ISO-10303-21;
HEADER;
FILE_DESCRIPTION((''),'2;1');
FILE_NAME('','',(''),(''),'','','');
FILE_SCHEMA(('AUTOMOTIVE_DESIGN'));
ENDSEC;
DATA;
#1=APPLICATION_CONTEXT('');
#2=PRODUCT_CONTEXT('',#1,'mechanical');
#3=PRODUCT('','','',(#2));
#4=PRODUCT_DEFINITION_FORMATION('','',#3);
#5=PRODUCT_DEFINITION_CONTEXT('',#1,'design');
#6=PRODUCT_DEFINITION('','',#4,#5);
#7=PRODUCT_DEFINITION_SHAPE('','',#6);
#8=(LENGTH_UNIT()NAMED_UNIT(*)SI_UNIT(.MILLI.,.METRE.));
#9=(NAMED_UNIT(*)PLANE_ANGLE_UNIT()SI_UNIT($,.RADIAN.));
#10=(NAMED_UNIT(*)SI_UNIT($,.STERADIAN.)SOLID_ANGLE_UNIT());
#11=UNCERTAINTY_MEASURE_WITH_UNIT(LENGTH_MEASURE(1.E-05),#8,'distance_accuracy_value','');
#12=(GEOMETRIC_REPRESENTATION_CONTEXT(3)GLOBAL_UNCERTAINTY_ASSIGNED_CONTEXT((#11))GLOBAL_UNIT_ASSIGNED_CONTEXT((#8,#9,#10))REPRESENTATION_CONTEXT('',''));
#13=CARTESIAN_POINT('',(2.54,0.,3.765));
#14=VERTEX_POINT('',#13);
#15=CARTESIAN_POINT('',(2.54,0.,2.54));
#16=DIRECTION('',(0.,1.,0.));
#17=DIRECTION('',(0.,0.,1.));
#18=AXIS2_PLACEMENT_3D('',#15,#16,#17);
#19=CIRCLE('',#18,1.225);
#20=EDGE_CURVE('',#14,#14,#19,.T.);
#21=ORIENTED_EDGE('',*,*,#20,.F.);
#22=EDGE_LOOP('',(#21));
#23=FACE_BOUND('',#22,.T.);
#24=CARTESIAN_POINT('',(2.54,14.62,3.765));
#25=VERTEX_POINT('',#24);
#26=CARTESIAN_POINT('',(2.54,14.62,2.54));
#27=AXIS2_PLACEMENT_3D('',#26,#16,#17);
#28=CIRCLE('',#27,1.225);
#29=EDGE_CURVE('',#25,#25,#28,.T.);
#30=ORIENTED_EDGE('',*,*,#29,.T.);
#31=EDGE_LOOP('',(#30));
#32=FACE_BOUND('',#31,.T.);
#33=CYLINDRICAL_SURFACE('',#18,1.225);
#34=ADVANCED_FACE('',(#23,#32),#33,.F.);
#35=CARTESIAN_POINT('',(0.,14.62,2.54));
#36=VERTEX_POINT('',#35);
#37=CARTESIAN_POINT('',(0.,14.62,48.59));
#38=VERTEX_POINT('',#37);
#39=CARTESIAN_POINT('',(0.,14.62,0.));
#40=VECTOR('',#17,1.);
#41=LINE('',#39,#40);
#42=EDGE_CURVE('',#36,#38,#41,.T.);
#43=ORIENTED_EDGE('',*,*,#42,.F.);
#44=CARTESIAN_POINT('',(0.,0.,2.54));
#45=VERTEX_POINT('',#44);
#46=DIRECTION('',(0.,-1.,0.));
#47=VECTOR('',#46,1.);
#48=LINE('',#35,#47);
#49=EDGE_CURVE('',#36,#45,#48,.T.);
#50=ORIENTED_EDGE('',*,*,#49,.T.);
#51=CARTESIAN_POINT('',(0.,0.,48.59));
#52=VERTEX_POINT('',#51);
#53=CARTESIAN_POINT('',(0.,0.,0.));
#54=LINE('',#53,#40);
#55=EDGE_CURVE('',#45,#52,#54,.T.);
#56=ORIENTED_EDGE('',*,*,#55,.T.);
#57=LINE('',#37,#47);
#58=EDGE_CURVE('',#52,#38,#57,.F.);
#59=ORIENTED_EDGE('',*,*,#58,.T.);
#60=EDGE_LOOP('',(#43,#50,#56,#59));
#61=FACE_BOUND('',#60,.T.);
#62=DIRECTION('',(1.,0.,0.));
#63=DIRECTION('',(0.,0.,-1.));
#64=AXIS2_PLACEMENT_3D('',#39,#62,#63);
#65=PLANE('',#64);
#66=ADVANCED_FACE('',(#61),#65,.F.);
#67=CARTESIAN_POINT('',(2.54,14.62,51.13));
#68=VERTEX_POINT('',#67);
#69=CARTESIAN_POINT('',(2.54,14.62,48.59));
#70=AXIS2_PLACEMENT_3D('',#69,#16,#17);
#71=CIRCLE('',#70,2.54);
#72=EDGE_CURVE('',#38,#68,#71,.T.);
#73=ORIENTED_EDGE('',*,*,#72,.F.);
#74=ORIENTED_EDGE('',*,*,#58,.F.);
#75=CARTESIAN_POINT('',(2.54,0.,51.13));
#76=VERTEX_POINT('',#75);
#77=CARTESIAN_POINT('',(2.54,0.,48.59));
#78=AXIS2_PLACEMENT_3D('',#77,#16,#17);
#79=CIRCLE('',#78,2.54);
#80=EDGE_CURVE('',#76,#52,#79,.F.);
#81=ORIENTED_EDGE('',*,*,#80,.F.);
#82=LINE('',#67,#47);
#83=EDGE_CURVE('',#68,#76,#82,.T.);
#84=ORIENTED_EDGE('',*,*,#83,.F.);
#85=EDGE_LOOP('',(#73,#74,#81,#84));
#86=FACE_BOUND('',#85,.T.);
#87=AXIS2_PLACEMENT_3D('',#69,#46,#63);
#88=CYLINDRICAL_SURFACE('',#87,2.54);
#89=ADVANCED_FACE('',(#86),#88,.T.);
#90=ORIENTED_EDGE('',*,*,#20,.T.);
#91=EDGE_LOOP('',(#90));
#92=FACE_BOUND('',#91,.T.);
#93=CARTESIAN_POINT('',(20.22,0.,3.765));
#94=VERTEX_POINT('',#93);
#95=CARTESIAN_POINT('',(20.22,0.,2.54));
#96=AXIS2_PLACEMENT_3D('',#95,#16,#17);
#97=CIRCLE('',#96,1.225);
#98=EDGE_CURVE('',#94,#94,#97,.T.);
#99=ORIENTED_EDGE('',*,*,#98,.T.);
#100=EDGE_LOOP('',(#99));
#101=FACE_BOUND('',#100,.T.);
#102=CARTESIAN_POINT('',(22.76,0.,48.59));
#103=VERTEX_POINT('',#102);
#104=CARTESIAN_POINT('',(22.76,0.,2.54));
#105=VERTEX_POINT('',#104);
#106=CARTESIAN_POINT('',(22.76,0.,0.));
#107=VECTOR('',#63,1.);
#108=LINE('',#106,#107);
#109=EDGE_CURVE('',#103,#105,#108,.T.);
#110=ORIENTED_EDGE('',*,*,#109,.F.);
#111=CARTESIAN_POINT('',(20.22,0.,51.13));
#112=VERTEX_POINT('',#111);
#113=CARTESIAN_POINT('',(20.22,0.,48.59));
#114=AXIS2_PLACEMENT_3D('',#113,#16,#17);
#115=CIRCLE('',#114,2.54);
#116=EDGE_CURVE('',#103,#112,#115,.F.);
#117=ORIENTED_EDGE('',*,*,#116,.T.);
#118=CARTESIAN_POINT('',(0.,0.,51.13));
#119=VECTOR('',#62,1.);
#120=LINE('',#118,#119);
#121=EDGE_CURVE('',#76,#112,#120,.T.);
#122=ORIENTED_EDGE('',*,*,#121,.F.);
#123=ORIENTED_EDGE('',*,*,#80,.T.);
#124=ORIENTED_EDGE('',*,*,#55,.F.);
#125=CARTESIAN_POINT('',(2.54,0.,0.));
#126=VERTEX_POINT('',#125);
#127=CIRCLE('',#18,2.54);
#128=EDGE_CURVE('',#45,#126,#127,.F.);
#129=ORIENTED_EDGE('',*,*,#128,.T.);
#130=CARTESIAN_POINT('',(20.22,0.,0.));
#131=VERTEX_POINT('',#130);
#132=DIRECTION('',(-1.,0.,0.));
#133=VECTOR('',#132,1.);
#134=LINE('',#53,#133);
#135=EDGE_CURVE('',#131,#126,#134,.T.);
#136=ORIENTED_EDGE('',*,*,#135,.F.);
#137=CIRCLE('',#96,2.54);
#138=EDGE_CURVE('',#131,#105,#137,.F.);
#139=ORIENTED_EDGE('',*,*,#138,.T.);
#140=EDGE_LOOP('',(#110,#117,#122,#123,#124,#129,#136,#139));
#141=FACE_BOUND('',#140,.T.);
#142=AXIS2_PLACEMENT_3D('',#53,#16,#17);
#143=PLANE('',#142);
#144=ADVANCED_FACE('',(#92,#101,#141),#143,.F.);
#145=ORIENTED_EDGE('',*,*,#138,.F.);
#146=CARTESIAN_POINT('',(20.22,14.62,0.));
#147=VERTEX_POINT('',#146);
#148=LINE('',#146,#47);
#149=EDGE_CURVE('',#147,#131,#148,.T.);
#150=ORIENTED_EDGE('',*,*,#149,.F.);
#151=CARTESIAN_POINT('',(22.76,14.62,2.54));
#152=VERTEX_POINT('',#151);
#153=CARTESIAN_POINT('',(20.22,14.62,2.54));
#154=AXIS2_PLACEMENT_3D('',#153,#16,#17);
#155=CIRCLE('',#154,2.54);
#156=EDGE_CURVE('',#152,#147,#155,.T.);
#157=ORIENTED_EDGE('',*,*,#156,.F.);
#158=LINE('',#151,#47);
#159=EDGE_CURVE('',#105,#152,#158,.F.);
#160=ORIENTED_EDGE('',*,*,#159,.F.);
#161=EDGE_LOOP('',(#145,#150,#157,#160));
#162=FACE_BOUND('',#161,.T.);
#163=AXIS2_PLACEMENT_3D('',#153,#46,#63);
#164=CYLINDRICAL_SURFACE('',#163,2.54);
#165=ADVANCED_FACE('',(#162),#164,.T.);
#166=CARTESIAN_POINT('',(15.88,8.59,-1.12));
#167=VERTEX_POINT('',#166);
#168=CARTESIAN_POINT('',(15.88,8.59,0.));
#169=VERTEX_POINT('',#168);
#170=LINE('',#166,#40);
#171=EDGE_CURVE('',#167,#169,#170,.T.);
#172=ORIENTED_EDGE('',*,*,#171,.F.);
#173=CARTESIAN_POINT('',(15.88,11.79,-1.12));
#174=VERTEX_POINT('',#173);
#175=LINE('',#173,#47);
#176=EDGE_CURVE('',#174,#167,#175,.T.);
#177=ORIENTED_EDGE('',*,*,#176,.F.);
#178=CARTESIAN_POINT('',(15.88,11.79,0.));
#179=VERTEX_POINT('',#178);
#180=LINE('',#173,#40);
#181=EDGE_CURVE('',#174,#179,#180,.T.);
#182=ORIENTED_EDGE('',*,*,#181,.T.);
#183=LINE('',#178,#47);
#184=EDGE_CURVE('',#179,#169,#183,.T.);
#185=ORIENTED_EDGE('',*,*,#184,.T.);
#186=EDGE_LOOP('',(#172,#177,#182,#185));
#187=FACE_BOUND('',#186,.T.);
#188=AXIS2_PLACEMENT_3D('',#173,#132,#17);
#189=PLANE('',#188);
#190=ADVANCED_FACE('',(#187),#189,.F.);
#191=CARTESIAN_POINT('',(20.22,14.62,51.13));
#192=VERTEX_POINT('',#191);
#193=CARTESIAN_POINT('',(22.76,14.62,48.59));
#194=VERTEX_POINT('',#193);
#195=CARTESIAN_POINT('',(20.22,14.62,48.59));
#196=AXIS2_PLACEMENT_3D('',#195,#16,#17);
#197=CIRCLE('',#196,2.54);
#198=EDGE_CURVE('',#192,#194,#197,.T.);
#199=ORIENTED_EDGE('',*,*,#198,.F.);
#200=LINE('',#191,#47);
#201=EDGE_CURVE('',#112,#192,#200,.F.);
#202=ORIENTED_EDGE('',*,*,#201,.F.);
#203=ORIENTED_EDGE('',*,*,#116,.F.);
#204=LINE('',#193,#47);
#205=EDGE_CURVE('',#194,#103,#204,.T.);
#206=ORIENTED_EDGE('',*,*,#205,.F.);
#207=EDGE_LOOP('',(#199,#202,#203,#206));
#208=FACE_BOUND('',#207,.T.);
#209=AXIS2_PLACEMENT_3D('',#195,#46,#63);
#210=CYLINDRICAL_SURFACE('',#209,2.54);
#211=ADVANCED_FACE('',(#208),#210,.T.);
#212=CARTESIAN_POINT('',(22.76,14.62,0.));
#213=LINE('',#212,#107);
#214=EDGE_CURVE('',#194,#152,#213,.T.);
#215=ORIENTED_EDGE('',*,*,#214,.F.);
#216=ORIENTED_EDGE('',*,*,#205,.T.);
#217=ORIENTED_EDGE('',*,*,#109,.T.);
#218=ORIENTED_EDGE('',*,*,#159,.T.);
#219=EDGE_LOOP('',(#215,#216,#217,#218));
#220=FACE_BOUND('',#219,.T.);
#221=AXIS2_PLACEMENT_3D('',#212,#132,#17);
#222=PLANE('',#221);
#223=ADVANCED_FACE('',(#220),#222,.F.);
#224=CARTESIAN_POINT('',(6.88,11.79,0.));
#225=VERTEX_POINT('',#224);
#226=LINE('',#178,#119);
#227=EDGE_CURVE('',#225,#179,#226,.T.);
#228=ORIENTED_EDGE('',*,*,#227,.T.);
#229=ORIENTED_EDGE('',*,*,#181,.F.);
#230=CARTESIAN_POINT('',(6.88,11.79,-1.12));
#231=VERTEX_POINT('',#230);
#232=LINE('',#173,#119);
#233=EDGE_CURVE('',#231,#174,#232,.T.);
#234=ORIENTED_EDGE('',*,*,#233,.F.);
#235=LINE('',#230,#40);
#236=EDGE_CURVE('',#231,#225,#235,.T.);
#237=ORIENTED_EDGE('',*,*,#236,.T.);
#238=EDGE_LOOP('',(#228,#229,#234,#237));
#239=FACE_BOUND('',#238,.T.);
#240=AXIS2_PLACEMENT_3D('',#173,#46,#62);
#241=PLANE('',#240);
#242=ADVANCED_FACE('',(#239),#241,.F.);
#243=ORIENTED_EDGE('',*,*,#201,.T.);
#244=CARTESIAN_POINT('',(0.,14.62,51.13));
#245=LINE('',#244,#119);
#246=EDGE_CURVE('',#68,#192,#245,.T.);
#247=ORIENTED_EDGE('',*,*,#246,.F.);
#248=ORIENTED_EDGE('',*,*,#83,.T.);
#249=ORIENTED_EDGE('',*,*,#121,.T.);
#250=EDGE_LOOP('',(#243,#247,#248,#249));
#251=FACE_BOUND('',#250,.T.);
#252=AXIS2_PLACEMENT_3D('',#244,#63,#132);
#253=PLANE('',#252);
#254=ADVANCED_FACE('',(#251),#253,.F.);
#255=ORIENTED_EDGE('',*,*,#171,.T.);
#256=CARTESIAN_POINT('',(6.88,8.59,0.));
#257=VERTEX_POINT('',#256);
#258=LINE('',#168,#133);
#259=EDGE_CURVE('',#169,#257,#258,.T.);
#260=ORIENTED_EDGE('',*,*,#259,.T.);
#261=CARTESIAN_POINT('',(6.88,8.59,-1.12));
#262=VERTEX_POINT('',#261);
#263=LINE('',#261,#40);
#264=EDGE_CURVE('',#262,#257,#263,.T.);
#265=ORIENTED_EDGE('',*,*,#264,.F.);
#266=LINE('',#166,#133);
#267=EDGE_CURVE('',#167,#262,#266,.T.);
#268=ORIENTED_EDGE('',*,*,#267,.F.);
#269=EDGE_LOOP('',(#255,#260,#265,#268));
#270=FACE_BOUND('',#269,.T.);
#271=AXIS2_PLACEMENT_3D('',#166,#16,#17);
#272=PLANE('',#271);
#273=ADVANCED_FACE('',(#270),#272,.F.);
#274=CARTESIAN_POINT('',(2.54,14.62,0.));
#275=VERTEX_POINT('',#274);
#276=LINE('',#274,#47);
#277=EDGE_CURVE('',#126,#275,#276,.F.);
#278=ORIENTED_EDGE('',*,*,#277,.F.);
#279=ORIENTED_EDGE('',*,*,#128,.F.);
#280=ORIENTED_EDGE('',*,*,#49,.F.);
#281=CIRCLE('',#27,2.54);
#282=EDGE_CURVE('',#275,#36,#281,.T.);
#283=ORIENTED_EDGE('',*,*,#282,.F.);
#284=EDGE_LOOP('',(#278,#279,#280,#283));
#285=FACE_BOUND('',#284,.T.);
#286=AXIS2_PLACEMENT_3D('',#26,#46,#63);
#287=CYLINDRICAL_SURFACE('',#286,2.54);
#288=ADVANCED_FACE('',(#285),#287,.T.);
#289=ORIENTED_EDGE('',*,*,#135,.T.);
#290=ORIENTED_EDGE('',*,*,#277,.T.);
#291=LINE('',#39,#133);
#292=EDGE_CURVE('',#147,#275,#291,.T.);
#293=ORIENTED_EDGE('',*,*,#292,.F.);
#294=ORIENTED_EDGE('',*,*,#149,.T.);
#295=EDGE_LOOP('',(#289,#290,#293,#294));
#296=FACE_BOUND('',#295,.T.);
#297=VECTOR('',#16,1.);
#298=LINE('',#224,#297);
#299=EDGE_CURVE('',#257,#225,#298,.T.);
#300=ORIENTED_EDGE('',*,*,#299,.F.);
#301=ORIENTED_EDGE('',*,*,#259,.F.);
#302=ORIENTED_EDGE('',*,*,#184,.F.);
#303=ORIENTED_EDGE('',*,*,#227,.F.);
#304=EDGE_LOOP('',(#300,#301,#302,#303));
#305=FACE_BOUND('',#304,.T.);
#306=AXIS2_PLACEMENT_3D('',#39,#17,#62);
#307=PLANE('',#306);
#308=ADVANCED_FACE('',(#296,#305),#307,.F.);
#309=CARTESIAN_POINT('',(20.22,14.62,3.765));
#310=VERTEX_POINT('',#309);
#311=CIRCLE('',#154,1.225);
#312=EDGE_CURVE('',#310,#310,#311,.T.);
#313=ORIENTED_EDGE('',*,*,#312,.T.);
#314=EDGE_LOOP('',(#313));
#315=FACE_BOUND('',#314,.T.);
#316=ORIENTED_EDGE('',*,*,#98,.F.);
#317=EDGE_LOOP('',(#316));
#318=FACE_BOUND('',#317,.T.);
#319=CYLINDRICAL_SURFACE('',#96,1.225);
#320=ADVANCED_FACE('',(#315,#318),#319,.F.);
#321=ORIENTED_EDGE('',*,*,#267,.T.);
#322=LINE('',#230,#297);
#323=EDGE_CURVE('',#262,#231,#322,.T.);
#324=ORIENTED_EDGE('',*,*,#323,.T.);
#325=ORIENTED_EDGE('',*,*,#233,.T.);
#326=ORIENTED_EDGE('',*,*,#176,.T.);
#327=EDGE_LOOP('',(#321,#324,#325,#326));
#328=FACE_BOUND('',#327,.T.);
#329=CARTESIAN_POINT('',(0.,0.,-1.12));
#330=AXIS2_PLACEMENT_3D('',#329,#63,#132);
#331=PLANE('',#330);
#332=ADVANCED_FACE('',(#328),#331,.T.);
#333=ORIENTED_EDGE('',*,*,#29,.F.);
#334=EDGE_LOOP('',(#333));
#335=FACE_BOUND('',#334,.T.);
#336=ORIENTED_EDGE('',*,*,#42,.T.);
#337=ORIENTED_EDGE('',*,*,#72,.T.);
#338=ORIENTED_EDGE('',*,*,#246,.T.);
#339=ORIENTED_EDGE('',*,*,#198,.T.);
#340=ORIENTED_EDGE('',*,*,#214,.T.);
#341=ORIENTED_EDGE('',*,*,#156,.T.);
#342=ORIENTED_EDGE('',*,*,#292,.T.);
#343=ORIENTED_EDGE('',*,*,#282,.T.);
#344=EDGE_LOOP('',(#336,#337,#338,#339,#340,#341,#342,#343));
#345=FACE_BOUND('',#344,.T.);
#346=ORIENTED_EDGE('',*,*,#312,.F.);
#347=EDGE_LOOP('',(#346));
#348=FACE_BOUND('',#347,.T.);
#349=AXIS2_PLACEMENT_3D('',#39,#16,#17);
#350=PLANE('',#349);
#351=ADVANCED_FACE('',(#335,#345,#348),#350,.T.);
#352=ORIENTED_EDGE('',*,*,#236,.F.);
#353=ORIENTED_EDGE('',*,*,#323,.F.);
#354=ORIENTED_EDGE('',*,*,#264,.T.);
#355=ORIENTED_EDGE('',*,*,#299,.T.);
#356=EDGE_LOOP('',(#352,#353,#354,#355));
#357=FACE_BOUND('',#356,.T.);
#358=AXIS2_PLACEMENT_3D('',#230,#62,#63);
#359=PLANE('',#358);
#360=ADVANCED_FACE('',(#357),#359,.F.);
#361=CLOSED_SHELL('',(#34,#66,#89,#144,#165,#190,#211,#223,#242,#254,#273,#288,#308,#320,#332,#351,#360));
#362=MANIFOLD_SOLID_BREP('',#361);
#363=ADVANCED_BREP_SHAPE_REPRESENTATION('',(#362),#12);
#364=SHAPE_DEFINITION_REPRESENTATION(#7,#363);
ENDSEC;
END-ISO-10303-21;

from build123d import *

# Parameters (mm, degrees)
SKETCH1_W               = 22.76
SKETCH1_H               = 51.13
BOSS_EXTRUDE1_DEPTH     = 14.62
CUT_EXTRUDE1_DEPTH      = 58.844955701
CUT_EXTRUDE1_DEPTH_BACK = 58.844955701
SKETCH2_R               = 1.225
FILLET1_R               = 2.54
SKETCH4_W               = 9
SKETCH4_H               = 3.2
BOSS_EXTRUDE3_DEPTH     = 1.12


with BuildPart() as part:
    # Sketch1 → Boss-Extrude1 (new body)
    with BuildSketch(Plane(origin=(0, 0, 0), x_dir=(1, 0, 0), z_dir=(0, 1, 0))):
        with Locations((11.38, -25.565)):
            Rectangle(SKETCH1_W, SKETCH1_H)
    extrude(amount=BOSS_EXTRUDE1_DEPTH)

    # Sketch2 → Cut-Extrude1 (cut, two sides: drawn at the far end of the back side and taken through both)
    with BuildSketch(Plane(origin=(0, 14.62, 0), x_dir=(1, 0, 0), z_dir=(0, 1, 0)).offset(-CUT_EXTRUDE1_DEPTH_BACK)):
        with Locations(Location((2.54, -2.54, 0), (0, 0, 270))):
            Circle(SKETCH2_R)
        with Locations(Location((20.22, -2.54, 0), (0, 0, 270))):
            Circle(SKETCH2_R)
    extrude(amount=CUT_EXTRUDE1_DEPTH + CUT_EXTRUDE1_DEPTH_BACK, mode=Mode.SUBTRACT)

    # Fillet1
    fillet1_edges = [part.edges().sort_by_distance(p)[0] for p in [
        (0, 7.31, 0),
        (22.76, 7.31, 0),
        (22.76, 7.31, 51.13),
        (0, 7.31, 51.13),
    ]]
    fillet(fillet1_edges, radius=FILLET1_R)

    # Sketch4 → Boss-Extrude3 (add)
    with BuildSketch(Plane(origin=(0, 0, 0), x_dir=(-1, 0, 0), z_dir=(0, 0, -1))):
        with Locations((-11.38, 10.19)):
            Rectangle(SKETCH4_W, SKETCH4_H)
    extrude(amount=BOSS_EXTRUDE3_DEPTH)


solid = part.part
